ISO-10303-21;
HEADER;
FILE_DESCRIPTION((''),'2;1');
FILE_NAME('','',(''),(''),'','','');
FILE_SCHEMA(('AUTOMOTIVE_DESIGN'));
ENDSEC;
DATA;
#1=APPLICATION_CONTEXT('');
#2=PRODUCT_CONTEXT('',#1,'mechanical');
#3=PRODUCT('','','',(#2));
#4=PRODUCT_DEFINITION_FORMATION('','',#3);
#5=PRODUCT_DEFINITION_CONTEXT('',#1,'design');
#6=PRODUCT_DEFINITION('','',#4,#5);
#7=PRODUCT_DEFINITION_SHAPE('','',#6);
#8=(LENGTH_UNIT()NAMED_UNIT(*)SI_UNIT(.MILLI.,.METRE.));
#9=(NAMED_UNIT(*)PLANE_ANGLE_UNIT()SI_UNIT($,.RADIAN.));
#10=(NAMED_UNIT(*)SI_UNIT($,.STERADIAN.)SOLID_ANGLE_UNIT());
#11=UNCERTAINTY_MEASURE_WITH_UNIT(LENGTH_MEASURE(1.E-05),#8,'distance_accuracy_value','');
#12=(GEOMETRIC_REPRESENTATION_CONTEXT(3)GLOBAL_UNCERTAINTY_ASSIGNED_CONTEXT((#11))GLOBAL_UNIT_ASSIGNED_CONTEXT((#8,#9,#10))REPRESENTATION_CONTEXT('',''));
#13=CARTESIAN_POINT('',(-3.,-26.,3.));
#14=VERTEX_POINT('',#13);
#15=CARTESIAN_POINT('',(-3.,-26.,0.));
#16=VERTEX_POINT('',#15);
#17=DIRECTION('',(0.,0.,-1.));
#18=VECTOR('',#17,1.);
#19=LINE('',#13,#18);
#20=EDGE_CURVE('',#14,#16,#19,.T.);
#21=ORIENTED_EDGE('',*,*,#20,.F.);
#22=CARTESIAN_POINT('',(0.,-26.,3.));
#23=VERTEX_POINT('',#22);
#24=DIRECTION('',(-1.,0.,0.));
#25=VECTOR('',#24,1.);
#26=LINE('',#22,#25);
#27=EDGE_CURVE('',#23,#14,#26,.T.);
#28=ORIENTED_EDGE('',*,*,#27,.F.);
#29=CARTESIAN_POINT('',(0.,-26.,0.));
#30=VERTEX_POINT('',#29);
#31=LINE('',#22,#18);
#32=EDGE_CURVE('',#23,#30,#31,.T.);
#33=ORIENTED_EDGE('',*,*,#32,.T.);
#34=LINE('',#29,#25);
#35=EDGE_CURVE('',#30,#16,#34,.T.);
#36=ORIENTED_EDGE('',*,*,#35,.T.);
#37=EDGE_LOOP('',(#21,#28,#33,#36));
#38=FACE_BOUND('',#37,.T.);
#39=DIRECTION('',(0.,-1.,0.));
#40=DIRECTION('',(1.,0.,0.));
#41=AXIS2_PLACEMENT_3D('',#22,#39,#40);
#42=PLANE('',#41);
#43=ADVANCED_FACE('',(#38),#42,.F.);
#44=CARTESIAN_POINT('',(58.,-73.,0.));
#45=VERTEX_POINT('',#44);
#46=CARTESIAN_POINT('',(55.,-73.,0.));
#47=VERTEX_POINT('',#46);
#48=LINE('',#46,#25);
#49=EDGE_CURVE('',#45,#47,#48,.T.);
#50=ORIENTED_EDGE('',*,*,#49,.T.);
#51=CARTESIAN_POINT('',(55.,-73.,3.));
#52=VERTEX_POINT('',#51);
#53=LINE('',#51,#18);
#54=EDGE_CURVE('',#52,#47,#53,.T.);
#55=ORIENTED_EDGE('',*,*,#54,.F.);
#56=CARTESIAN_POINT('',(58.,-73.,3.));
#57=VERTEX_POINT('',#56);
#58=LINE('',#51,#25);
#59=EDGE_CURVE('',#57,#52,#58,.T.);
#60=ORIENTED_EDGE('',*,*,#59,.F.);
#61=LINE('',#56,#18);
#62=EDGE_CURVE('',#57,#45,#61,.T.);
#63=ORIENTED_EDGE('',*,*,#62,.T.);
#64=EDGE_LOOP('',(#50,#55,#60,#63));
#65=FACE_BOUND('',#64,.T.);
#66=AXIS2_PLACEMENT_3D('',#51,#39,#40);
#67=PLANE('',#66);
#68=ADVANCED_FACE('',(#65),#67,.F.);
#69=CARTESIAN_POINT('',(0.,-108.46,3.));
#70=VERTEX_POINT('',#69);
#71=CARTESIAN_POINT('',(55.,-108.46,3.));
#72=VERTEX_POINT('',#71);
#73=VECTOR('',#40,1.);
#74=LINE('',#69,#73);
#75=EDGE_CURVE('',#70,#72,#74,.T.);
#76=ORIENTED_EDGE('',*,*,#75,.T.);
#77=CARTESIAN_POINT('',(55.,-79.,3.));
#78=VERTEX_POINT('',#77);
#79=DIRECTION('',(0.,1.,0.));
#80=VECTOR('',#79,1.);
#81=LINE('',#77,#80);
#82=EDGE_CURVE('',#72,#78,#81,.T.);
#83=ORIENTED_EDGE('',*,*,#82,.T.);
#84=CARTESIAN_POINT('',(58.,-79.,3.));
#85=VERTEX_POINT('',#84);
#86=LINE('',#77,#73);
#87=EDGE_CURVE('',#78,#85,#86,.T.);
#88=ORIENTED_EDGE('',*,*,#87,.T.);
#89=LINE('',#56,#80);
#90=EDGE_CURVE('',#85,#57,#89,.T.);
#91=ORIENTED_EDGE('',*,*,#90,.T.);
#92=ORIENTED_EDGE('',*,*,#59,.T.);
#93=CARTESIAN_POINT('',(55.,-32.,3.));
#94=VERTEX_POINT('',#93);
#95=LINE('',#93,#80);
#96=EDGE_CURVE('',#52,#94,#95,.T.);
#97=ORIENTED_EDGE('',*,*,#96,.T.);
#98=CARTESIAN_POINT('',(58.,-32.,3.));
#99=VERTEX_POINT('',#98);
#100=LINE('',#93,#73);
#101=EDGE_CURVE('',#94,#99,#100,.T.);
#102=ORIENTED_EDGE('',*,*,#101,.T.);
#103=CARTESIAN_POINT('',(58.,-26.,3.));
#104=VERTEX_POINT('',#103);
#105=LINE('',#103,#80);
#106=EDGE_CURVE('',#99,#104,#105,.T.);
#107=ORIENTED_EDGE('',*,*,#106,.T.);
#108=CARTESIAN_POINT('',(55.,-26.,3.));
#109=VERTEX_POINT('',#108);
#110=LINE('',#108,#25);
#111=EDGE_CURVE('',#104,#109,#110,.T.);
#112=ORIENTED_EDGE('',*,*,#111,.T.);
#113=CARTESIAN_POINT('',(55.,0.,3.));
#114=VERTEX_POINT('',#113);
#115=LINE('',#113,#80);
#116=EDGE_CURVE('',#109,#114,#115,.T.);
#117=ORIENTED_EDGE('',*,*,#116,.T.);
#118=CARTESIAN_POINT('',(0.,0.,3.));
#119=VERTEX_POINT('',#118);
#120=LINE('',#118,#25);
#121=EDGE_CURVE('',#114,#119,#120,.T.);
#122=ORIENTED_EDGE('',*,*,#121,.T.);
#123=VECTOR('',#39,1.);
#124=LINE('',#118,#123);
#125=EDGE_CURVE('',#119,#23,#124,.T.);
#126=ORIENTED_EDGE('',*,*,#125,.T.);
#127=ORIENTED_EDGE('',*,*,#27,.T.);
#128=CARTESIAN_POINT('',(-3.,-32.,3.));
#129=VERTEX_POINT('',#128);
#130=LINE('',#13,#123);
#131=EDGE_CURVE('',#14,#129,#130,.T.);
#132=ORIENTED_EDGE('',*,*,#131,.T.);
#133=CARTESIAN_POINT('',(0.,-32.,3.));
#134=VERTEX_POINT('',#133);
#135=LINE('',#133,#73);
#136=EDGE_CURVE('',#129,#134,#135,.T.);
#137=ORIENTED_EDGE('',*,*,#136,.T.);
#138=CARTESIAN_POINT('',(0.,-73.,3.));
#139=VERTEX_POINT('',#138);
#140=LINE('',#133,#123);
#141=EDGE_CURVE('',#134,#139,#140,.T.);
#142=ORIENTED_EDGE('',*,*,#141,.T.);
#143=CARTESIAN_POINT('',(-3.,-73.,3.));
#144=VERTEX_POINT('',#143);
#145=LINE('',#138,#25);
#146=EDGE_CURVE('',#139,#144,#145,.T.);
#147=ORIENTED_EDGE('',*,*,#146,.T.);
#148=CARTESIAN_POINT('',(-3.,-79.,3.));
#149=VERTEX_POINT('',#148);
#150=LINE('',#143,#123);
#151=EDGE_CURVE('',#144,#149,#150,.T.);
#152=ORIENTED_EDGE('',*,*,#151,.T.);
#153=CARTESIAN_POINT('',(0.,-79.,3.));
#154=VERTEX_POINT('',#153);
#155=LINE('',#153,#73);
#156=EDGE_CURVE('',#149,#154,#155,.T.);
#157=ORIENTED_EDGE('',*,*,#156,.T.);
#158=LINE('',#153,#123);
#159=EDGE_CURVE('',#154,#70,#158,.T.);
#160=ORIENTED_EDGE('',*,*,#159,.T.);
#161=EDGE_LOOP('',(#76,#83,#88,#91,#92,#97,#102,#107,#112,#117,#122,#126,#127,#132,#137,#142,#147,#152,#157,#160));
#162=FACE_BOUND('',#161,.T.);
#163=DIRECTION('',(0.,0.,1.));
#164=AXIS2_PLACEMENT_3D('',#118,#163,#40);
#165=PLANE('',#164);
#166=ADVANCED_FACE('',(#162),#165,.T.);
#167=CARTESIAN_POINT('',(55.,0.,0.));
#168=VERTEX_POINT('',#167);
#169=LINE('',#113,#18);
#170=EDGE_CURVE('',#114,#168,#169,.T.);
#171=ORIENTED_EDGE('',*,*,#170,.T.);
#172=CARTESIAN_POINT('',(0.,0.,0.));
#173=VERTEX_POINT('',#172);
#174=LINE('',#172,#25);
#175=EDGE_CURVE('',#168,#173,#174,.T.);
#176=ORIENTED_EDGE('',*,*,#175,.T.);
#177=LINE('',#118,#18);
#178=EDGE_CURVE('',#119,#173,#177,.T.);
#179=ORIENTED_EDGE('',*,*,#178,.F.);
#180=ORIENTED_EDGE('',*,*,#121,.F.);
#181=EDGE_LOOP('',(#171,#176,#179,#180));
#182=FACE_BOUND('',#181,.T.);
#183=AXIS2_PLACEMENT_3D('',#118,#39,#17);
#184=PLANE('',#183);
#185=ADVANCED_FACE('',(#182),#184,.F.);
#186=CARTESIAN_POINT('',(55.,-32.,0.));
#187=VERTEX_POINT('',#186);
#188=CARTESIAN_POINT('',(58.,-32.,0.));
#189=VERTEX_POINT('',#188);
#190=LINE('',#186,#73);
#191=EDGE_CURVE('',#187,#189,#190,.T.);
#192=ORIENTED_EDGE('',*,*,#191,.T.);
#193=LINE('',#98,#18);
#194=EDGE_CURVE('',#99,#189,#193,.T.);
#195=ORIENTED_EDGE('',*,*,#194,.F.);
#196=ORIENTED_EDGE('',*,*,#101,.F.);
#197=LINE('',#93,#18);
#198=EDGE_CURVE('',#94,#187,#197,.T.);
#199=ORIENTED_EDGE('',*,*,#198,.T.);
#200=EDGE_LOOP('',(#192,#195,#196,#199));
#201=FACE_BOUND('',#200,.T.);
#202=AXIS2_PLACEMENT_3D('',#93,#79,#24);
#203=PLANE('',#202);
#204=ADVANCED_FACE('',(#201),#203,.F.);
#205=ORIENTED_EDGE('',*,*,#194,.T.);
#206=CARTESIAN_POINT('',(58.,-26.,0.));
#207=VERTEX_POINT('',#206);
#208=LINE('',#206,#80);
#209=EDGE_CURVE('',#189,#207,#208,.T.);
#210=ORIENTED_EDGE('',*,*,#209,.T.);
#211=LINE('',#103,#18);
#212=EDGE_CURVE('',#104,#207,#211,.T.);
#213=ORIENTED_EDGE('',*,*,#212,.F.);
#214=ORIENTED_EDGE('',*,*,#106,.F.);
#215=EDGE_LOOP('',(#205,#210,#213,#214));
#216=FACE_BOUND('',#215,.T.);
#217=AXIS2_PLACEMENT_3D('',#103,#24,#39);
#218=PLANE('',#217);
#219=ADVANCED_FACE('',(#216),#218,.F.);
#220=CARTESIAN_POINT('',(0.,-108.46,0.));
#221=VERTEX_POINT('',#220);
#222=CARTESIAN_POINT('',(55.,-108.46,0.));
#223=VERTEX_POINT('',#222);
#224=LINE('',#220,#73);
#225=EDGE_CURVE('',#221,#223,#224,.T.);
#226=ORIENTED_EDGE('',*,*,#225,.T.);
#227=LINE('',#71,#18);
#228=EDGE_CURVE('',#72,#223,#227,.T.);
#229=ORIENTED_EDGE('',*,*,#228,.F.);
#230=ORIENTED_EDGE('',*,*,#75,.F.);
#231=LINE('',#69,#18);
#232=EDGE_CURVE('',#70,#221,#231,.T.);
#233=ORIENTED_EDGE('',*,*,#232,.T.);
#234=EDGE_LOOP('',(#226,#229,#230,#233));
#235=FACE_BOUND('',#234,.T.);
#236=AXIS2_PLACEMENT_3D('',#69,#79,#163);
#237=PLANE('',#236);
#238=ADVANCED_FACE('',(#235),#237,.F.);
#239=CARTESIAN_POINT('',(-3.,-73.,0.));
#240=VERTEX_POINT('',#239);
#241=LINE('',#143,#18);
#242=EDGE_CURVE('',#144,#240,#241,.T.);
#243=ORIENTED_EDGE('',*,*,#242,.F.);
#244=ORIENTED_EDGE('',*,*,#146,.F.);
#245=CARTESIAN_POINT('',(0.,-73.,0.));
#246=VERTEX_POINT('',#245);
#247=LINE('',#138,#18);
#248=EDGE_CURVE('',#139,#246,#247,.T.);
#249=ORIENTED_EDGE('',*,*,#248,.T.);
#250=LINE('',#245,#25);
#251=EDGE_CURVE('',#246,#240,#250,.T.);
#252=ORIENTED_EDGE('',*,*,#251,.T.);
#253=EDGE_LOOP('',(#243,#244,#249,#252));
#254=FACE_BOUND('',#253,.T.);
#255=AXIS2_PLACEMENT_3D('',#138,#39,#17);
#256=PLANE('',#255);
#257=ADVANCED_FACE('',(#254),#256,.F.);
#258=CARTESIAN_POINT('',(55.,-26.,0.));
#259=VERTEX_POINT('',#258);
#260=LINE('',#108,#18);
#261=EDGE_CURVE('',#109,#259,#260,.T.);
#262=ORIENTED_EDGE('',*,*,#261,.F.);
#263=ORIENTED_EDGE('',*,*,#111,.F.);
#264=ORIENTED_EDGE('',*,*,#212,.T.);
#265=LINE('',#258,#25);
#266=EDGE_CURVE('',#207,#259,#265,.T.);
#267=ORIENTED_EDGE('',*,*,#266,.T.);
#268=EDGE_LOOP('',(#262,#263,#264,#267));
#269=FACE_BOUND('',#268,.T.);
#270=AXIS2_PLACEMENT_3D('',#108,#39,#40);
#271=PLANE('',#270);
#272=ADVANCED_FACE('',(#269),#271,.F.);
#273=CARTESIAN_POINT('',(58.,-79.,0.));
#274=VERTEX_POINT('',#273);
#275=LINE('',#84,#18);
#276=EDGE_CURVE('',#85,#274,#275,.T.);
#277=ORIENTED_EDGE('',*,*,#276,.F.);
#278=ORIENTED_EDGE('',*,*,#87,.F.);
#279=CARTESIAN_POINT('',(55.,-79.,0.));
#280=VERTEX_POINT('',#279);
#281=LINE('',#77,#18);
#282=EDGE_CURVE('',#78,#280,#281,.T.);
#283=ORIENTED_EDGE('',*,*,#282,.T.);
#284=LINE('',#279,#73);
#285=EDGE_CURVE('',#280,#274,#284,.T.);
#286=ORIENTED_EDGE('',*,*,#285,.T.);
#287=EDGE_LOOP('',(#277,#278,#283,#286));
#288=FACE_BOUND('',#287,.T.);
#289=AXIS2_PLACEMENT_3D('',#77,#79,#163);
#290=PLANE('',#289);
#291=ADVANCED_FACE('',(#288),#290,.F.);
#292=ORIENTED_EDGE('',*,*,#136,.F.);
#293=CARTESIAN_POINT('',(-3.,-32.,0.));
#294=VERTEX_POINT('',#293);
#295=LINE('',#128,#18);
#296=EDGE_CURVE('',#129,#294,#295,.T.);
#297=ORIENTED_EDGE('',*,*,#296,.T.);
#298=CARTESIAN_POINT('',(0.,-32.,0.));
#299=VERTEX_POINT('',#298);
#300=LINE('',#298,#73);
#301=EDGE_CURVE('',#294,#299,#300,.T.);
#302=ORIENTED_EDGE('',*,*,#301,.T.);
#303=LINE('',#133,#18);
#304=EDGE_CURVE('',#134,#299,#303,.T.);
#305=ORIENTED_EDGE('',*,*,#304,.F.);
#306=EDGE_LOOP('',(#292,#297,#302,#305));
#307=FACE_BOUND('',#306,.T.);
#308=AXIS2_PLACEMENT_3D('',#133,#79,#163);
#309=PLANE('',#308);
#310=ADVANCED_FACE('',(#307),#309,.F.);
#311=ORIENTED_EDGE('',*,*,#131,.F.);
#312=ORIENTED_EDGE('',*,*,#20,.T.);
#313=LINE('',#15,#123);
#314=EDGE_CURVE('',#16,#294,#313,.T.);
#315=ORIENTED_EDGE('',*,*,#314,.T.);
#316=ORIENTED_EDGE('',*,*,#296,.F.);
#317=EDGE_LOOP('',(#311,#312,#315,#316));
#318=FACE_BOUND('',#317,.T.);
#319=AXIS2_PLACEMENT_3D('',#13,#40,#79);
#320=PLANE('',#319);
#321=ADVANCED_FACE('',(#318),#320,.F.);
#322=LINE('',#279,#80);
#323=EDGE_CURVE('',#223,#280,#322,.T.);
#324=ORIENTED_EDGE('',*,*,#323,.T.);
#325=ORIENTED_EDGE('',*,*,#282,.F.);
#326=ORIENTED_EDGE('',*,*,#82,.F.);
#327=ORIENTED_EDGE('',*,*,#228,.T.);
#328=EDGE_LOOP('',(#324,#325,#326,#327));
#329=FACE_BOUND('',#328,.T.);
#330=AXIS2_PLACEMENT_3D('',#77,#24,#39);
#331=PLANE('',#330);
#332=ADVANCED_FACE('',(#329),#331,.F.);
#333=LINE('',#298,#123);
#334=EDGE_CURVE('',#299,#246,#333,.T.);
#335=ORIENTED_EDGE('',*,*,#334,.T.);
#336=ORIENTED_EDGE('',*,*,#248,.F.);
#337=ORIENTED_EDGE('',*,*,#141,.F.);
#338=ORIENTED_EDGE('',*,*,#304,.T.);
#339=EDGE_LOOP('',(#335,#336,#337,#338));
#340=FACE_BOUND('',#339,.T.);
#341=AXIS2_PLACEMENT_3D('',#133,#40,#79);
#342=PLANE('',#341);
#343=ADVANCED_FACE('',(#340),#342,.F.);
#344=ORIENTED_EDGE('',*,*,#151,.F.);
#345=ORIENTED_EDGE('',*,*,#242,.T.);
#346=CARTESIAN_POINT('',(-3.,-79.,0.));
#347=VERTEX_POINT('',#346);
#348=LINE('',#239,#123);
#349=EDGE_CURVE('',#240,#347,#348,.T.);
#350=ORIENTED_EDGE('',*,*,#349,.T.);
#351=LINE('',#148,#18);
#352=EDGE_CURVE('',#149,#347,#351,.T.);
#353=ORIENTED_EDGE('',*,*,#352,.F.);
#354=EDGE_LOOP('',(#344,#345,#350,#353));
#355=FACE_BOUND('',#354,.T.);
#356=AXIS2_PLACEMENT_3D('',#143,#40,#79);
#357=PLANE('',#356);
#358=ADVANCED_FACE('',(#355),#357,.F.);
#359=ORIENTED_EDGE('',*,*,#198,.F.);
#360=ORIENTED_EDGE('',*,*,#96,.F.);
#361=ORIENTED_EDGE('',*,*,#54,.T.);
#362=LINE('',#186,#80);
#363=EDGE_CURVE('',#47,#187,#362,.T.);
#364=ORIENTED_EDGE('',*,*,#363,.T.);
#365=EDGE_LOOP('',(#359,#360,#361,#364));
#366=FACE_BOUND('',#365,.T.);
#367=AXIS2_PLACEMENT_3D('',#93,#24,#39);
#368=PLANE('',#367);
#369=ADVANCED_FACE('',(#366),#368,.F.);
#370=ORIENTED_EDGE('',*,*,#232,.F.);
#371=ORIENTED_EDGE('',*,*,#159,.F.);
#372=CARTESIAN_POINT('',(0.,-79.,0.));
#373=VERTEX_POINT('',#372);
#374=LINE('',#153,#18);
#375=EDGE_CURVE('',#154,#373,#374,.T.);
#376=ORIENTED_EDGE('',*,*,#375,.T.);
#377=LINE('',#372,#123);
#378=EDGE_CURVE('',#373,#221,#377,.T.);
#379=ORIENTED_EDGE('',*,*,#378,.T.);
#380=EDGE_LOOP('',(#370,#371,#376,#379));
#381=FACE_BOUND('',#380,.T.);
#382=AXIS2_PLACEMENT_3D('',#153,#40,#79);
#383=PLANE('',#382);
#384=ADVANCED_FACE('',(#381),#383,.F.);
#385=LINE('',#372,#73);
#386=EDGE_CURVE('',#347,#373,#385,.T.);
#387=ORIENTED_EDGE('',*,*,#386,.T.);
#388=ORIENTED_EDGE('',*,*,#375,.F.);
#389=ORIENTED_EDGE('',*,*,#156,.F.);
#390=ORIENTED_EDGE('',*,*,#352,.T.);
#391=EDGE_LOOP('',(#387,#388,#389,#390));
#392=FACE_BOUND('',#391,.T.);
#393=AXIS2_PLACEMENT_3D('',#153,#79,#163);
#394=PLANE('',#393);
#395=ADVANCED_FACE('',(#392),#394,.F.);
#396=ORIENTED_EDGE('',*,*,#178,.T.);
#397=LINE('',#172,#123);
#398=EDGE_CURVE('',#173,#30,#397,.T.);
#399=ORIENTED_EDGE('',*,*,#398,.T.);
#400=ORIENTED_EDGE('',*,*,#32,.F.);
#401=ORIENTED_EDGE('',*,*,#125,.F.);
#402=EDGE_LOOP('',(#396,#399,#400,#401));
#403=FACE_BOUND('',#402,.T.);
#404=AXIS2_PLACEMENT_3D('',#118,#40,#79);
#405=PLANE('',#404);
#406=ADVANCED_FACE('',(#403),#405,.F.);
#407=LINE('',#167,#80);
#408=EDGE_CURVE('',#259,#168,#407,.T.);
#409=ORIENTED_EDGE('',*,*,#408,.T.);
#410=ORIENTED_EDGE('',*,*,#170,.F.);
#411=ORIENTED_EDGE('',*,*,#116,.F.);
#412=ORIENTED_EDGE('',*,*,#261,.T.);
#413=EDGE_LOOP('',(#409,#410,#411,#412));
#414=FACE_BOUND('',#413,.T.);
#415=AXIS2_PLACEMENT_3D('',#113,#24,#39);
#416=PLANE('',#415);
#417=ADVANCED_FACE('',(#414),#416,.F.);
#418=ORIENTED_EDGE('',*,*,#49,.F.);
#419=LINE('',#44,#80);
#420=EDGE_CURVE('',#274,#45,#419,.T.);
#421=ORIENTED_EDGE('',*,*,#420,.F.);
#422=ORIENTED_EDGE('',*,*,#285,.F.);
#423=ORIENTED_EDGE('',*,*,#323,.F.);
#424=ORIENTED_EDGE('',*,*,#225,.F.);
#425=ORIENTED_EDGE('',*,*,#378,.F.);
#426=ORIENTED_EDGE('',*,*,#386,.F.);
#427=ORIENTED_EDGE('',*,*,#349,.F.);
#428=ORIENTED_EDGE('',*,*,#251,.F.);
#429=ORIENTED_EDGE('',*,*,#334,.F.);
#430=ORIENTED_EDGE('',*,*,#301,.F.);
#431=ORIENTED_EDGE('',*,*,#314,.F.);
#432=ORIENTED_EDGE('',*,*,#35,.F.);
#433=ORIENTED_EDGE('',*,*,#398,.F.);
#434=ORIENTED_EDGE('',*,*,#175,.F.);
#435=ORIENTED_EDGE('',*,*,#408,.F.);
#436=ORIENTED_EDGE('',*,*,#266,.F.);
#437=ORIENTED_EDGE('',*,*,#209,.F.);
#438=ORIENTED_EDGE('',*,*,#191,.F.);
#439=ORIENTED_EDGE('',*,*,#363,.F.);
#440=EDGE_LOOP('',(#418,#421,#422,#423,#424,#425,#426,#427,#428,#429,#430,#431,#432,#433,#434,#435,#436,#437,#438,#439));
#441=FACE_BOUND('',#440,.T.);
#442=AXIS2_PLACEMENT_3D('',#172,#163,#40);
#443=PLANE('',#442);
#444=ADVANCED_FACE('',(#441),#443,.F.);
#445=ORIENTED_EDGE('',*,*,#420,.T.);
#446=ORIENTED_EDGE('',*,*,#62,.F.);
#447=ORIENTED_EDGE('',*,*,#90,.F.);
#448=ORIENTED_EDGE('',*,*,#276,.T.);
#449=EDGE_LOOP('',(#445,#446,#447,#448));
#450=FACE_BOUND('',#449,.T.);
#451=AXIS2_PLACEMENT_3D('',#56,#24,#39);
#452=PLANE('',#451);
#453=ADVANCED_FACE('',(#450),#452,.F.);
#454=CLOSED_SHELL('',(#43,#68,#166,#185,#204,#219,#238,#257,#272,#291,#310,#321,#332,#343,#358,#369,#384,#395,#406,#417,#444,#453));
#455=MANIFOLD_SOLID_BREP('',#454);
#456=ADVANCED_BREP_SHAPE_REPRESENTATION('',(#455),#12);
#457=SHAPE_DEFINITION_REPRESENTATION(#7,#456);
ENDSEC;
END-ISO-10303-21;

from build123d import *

# Parameters (mm, degrees)
P_IDAT_VYSUNUT_M1_DEPTH = 3


with BuildPart() as part:
    # Skica1 → Přidat vysunutím1 (new body)
    with BuildSketch(Plane.XY):
        Polygon((0, 0), (55, 0), (55, -26), (58, -26), (58, -32), (55, -32), (55, -73), (58, -73), (58, -79), (55, -79), (55, -108.46), (0, -108.46), (0, -79), (-3, -79), (-3, -73), (0, -73), (0, -32), (-3, -32), (-3, -26), (0, -26), align=None)
    extrude(amount=P_IDAT_VYSUNUT_M1_DEPTH)


solid = part.part
